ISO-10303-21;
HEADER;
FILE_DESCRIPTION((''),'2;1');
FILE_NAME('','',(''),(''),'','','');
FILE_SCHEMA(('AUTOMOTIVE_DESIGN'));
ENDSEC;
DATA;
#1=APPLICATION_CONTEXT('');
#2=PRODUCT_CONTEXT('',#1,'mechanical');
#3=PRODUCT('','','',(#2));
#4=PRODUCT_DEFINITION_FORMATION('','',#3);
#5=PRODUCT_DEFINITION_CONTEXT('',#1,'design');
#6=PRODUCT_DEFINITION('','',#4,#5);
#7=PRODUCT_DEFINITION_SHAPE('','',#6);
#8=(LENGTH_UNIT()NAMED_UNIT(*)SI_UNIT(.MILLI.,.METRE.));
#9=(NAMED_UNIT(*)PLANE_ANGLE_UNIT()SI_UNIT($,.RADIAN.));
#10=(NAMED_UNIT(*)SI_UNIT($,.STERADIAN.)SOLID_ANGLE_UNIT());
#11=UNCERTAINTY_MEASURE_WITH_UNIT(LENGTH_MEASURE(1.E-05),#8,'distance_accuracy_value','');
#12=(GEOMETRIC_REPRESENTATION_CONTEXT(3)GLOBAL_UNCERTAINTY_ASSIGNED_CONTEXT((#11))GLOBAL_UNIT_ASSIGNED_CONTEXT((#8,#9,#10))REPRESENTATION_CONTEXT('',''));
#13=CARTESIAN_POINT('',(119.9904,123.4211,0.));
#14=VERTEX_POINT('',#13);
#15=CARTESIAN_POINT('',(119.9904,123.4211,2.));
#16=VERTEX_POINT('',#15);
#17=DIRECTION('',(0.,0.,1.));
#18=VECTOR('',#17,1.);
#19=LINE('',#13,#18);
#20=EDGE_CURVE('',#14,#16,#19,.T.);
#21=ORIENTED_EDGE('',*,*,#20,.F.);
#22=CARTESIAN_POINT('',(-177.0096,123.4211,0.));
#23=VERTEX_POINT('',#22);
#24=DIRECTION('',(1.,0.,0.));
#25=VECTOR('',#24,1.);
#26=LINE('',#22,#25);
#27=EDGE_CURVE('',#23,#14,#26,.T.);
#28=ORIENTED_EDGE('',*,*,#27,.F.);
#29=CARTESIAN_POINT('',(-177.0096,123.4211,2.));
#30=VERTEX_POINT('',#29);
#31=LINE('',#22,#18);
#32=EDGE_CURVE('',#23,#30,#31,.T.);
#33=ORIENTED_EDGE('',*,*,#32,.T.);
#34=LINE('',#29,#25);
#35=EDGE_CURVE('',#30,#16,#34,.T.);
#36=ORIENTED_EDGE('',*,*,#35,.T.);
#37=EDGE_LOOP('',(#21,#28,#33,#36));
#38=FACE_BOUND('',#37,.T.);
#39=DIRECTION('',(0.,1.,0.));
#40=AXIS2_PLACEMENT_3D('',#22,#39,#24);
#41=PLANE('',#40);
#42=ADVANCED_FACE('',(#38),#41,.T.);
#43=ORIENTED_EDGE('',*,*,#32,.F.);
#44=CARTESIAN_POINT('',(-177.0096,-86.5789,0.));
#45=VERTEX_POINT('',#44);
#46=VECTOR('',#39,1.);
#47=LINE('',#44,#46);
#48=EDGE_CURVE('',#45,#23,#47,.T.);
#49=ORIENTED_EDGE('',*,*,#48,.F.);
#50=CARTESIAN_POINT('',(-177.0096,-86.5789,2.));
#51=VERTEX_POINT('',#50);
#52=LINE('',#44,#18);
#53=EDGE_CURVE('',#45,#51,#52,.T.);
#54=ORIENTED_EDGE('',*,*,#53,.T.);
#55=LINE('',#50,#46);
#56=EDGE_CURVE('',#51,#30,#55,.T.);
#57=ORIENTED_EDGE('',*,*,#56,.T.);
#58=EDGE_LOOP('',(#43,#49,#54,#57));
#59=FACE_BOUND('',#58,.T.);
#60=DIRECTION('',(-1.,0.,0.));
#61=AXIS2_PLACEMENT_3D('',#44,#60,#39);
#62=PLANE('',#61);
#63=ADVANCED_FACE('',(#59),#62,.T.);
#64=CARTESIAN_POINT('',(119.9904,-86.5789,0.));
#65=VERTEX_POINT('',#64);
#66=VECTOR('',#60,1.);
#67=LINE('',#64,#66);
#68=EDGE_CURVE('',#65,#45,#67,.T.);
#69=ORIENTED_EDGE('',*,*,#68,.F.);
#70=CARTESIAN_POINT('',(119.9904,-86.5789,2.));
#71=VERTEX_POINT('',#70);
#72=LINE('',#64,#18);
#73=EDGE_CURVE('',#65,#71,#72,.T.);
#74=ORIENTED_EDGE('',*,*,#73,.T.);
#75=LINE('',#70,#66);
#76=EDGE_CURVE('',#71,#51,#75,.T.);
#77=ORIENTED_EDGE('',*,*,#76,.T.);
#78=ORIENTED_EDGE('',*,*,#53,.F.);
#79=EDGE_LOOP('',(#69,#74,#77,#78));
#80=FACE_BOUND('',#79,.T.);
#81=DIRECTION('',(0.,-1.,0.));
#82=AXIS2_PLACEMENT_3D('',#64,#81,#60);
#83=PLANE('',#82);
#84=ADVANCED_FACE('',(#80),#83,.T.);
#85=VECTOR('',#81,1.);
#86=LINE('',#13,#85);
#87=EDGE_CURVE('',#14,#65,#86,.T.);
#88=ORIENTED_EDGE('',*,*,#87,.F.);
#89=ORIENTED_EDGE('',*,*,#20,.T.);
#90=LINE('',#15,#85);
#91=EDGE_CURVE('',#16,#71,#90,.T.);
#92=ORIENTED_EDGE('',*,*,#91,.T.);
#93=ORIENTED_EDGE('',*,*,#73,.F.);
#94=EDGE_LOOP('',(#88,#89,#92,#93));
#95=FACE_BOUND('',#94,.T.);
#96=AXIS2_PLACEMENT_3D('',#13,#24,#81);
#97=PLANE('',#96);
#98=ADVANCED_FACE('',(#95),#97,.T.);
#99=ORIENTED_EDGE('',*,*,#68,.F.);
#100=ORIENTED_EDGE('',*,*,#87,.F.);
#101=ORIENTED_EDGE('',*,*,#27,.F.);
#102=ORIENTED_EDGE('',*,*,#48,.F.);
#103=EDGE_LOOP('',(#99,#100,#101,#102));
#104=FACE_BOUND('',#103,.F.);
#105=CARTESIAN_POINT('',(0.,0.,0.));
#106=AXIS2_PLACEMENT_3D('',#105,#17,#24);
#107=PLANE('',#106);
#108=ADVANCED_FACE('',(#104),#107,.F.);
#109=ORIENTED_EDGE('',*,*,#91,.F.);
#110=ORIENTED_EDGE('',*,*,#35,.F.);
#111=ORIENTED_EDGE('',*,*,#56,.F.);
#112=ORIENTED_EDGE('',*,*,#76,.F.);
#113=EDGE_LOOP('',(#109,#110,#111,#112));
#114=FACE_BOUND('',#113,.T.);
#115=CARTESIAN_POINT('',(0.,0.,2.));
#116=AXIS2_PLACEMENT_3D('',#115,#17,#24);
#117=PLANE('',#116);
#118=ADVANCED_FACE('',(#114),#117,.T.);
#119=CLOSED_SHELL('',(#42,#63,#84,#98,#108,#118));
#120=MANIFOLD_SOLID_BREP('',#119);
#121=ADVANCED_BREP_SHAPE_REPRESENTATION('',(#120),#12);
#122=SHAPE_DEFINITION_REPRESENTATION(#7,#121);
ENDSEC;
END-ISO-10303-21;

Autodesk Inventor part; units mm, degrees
ref_plane "YZ Plane" through (0, 0, 0) normal (1, 0, 0) x (0, 1, 0)
ref_plane "XZ Plane" through (0, 0, 0) normal (0, 1, 0) x (-1, 0, 0)
ref_plane "XY Plane" through (0, 0, 0) normal (0, 0, 1) x (1, 0, 0)
sketch "Sketch1" plane through (0, 0, 0) normal (0, 0, 1) x (1, 0, 0)
  line L0 (-177.0096, 123.4211) -> (119.9904, 123.4211)
  line L1 (119.9904, 123.4211) -> (119.9904, -86.5789)
  line L2 (119.9904, -86.5789) -> (-177.0096, -86.5789)
  line L3 (-177.0096, -86.5789) -> (-177.0096, 123.4211)
  point P0 (0, 0)
  dimension "d0" = 210
  dimension "d1" = 297
extrude "Extrusion1" add sketch "Sketch1" along normal blind 2
properties part number "A4"
